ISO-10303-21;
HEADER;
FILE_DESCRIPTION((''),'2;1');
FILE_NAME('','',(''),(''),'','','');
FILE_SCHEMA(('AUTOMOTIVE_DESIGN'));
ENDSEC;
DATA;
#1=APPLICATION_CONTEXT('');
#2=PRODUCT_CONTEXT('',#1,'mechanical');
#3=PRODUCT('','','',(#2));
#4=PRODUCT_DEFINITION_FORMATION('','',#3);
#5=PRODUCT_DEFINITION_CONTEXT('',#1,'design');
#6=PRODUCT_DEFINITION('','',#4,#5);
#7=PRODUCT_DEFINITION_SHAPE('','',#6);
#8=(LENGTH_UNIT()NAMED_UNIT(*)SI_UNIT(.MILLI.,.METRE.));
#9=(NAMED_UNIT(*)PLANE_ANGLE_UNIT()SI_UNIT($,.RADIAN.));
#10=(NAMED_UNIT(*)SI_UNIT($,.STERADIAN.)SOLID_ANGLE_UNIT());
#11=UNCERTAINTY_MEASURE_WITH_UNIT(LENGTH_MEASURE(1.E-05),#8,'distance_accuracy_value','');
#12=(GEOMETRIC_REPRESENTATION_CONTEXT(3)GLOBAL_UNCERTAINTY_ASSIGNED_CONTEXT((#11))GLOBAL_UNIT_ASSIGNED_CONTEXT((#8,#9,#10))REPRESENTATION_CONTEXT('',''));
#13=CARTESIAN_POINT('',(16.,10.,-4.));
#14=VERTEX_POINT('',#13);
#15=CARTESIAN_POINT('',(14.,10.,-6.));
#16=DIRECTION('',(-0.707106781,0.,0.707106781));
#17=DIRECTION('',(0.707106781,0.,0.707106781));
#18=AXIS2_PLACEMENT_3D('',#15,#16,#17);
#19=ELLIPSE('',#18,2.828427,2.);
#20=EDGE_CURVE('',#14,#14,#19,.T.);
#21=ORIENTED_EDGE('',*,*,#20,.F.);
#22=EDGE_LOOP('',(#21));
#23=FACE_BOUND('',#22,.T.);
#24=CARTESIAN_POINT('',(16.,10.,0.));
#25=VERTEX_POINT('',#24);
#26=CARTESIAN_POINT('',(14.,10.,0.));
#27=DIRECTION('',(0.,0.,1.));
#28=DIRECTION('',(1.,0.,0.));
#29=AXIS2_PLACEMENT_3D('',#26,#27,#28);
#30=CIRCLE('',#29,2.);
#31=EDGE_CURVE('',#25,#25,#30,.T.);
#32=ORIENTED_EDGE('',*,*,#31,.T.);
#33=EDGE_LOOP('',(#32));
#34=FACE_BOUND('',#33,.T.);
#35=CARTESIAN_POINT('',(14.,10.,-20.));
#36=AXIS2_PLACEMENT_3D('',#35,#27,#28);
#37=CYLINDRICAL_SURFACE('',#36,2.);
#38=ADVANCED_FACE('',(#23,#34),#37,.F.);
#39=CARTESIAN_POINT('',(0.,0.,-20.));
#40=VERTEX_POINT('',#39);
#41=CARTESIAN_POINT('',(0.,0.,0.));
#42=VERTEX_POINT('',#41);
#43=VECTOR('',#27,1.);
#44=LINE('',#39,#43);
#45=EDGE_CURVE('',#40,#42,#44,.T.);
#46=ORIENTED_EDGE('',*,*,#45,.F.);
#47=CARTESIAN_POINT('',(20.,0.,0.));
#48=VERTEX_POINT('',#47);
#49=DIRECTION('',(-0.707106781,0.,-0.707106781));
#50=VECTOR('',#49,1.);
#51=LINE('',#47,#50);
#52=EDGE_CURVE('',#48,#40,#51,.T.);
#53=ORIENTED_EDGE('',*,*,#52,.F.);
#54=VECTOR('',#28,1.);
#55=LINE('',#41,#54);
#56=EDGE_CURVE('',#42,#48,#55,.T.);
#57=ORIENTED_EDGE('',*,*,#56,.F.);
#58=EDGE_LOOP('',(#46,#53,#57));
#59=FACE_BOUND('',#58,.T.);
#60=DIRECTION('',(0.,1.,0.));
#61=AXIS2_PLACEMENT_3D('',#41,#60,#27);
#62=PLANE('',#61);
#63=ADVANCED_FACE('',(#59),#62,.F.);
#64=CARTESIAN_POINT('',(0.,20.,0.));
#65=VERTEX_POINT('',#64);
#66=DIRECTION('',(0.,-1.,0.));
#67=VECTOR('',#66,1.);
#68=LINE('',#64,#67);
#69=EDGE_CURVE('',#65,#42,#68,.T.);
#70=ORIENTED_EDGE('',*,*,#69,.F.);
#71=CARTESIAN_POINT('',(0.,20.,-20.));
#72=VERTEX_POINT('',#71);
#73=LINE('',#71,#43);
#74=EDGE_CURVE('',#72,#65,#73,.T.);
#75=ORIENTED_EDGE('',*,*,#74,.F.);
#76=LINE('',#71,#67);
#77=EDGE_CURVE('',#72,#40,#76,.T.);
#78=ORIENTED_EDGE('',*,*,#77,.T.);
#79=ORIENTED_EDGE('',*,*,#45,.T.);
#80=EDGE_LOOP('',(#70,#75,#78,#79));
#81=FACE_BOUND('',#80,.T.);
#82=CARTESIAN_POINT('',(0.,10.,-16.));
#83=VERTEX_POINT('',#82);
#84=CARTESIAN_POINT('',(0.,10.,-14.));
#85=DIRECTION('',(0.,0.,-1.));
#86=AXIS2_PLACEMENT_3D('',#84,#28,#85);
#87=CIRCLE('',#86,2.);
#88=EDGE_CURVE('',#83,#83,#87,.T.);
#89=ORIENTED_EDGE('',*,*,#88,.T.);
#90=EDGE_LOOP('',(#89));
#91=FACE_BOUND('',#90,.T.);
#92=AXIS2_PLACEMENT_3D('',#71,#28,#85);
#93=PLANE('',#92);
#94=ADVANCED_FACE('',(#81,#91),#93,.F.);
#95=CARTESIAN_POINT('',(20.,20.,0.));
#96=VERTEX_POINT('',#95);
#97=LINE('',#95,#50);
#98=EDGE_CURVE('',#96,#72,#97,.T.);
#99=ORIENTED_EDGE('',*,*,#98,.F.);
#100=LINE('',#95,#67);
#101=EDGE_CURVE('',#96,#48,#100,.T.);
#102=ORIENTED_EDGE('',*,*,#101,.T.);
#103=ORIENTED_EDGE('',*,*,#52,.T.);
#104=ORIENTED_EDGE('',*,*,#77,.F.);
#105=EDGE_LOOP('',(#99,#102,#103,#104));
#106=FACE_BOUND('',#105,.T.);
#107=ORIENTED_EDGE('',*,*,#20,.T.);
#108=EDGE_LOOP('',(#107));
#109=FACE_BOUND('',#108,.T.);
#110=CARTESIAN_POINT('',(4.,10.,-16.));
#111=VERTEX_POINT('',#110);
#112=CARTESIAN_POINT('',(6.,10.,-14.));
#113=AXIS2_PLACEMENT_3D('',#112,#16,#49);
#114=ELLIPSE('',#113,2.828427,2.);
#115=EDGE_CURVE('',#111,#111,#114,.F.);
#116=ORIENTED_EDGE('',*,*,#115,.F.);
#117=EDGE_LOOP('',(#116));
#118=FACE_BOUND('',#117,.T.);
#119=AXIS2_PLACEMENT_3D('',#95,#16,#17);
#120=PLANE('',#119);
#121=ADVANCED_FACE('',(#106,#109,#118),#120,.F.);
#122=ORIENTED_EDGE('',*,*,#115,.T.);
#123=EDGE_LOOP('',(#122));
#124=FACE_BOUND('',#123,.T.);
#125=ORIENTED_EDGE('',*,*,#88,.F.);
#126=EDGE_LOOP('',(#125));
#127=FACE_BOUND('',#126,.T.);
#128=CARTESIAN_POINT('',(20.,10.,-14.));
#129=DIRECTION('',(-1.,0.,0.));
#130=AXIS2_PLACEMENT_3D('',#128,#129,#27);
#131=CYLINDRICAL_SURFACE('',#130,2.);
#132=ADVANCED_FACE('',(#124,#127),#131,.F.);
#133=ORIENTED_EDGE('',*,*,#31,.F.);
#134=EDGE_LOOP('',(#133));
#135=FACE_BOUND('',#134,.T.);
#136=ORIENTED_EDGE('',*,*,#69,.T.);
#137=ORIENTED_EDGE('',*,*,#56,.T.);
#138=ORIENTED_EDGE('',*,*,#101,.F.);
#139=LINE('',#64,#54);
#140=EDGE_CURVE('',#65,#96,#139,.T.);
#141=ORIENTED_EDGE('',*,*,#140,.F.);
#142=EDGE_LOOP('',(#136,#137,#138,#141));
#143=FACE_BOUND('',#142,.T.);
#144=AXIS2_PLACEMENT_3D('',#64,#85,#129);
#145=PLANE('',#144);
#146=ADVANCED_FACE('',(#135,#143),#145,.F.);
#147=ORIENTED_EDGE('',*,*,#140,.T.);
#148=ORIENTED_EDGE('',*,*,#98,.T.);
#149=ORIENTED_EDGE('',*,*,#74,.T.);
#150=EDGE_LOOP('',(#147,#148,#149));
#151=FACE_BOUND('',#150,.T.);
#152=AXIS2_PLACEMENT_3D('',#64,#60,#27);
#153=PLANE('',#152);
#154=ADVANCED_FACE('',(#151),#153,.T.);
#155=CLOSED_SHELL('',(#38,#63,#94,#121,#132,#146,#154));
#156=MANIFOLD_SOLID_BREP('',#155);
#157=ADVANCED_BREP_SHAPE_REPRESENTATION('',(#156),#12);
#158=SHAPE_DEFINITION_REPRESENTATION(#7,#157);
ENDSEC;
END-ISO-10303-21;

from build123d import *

# Parameters (mm, degrees)
BOSS_EXTRUDE1_DEPTH = 20
SKETCH2_R           = 2
CUT_EXTRUDE1_DEPTH  = 35.641016151


with BuildPart() as part:
    # Sketch1 → Boss-Extrude1 (new body)
    with BuildSketch(Plane(origin=(0, 0, 0), x_dir=(1, 0, 0), z_dir=(0, 1, 0))):
        Polygon((0, 20), (0, 0), (20, 0), align=None)
    extrude(amount=BOSS_EXTRUDE1_DEPTH)

    # Sketch2 → Cut-Extrude1 (cut, through all)
    with BuildSketch(Plane.XY):
        with Locations((14, 10)):
            Circle(SKETCH2_R)
    cut_extrude1 = extrude(amount=-CUT_EXTRUDE1_DEPTH, mode=Mode.SUBTRACT)

    # Mirror1: Cut-Extrude1 across plane
    add(cut_extrude1.mirror(Plane(origin=(0, 0, 0), x_dir=(-0.7071067811865475, 0, 0.7071067811865476), z_dir=(0.7071067811865478, 0, 0.7071067811865474))), mode=Mode.SUBTRACT)


solid = part.part
